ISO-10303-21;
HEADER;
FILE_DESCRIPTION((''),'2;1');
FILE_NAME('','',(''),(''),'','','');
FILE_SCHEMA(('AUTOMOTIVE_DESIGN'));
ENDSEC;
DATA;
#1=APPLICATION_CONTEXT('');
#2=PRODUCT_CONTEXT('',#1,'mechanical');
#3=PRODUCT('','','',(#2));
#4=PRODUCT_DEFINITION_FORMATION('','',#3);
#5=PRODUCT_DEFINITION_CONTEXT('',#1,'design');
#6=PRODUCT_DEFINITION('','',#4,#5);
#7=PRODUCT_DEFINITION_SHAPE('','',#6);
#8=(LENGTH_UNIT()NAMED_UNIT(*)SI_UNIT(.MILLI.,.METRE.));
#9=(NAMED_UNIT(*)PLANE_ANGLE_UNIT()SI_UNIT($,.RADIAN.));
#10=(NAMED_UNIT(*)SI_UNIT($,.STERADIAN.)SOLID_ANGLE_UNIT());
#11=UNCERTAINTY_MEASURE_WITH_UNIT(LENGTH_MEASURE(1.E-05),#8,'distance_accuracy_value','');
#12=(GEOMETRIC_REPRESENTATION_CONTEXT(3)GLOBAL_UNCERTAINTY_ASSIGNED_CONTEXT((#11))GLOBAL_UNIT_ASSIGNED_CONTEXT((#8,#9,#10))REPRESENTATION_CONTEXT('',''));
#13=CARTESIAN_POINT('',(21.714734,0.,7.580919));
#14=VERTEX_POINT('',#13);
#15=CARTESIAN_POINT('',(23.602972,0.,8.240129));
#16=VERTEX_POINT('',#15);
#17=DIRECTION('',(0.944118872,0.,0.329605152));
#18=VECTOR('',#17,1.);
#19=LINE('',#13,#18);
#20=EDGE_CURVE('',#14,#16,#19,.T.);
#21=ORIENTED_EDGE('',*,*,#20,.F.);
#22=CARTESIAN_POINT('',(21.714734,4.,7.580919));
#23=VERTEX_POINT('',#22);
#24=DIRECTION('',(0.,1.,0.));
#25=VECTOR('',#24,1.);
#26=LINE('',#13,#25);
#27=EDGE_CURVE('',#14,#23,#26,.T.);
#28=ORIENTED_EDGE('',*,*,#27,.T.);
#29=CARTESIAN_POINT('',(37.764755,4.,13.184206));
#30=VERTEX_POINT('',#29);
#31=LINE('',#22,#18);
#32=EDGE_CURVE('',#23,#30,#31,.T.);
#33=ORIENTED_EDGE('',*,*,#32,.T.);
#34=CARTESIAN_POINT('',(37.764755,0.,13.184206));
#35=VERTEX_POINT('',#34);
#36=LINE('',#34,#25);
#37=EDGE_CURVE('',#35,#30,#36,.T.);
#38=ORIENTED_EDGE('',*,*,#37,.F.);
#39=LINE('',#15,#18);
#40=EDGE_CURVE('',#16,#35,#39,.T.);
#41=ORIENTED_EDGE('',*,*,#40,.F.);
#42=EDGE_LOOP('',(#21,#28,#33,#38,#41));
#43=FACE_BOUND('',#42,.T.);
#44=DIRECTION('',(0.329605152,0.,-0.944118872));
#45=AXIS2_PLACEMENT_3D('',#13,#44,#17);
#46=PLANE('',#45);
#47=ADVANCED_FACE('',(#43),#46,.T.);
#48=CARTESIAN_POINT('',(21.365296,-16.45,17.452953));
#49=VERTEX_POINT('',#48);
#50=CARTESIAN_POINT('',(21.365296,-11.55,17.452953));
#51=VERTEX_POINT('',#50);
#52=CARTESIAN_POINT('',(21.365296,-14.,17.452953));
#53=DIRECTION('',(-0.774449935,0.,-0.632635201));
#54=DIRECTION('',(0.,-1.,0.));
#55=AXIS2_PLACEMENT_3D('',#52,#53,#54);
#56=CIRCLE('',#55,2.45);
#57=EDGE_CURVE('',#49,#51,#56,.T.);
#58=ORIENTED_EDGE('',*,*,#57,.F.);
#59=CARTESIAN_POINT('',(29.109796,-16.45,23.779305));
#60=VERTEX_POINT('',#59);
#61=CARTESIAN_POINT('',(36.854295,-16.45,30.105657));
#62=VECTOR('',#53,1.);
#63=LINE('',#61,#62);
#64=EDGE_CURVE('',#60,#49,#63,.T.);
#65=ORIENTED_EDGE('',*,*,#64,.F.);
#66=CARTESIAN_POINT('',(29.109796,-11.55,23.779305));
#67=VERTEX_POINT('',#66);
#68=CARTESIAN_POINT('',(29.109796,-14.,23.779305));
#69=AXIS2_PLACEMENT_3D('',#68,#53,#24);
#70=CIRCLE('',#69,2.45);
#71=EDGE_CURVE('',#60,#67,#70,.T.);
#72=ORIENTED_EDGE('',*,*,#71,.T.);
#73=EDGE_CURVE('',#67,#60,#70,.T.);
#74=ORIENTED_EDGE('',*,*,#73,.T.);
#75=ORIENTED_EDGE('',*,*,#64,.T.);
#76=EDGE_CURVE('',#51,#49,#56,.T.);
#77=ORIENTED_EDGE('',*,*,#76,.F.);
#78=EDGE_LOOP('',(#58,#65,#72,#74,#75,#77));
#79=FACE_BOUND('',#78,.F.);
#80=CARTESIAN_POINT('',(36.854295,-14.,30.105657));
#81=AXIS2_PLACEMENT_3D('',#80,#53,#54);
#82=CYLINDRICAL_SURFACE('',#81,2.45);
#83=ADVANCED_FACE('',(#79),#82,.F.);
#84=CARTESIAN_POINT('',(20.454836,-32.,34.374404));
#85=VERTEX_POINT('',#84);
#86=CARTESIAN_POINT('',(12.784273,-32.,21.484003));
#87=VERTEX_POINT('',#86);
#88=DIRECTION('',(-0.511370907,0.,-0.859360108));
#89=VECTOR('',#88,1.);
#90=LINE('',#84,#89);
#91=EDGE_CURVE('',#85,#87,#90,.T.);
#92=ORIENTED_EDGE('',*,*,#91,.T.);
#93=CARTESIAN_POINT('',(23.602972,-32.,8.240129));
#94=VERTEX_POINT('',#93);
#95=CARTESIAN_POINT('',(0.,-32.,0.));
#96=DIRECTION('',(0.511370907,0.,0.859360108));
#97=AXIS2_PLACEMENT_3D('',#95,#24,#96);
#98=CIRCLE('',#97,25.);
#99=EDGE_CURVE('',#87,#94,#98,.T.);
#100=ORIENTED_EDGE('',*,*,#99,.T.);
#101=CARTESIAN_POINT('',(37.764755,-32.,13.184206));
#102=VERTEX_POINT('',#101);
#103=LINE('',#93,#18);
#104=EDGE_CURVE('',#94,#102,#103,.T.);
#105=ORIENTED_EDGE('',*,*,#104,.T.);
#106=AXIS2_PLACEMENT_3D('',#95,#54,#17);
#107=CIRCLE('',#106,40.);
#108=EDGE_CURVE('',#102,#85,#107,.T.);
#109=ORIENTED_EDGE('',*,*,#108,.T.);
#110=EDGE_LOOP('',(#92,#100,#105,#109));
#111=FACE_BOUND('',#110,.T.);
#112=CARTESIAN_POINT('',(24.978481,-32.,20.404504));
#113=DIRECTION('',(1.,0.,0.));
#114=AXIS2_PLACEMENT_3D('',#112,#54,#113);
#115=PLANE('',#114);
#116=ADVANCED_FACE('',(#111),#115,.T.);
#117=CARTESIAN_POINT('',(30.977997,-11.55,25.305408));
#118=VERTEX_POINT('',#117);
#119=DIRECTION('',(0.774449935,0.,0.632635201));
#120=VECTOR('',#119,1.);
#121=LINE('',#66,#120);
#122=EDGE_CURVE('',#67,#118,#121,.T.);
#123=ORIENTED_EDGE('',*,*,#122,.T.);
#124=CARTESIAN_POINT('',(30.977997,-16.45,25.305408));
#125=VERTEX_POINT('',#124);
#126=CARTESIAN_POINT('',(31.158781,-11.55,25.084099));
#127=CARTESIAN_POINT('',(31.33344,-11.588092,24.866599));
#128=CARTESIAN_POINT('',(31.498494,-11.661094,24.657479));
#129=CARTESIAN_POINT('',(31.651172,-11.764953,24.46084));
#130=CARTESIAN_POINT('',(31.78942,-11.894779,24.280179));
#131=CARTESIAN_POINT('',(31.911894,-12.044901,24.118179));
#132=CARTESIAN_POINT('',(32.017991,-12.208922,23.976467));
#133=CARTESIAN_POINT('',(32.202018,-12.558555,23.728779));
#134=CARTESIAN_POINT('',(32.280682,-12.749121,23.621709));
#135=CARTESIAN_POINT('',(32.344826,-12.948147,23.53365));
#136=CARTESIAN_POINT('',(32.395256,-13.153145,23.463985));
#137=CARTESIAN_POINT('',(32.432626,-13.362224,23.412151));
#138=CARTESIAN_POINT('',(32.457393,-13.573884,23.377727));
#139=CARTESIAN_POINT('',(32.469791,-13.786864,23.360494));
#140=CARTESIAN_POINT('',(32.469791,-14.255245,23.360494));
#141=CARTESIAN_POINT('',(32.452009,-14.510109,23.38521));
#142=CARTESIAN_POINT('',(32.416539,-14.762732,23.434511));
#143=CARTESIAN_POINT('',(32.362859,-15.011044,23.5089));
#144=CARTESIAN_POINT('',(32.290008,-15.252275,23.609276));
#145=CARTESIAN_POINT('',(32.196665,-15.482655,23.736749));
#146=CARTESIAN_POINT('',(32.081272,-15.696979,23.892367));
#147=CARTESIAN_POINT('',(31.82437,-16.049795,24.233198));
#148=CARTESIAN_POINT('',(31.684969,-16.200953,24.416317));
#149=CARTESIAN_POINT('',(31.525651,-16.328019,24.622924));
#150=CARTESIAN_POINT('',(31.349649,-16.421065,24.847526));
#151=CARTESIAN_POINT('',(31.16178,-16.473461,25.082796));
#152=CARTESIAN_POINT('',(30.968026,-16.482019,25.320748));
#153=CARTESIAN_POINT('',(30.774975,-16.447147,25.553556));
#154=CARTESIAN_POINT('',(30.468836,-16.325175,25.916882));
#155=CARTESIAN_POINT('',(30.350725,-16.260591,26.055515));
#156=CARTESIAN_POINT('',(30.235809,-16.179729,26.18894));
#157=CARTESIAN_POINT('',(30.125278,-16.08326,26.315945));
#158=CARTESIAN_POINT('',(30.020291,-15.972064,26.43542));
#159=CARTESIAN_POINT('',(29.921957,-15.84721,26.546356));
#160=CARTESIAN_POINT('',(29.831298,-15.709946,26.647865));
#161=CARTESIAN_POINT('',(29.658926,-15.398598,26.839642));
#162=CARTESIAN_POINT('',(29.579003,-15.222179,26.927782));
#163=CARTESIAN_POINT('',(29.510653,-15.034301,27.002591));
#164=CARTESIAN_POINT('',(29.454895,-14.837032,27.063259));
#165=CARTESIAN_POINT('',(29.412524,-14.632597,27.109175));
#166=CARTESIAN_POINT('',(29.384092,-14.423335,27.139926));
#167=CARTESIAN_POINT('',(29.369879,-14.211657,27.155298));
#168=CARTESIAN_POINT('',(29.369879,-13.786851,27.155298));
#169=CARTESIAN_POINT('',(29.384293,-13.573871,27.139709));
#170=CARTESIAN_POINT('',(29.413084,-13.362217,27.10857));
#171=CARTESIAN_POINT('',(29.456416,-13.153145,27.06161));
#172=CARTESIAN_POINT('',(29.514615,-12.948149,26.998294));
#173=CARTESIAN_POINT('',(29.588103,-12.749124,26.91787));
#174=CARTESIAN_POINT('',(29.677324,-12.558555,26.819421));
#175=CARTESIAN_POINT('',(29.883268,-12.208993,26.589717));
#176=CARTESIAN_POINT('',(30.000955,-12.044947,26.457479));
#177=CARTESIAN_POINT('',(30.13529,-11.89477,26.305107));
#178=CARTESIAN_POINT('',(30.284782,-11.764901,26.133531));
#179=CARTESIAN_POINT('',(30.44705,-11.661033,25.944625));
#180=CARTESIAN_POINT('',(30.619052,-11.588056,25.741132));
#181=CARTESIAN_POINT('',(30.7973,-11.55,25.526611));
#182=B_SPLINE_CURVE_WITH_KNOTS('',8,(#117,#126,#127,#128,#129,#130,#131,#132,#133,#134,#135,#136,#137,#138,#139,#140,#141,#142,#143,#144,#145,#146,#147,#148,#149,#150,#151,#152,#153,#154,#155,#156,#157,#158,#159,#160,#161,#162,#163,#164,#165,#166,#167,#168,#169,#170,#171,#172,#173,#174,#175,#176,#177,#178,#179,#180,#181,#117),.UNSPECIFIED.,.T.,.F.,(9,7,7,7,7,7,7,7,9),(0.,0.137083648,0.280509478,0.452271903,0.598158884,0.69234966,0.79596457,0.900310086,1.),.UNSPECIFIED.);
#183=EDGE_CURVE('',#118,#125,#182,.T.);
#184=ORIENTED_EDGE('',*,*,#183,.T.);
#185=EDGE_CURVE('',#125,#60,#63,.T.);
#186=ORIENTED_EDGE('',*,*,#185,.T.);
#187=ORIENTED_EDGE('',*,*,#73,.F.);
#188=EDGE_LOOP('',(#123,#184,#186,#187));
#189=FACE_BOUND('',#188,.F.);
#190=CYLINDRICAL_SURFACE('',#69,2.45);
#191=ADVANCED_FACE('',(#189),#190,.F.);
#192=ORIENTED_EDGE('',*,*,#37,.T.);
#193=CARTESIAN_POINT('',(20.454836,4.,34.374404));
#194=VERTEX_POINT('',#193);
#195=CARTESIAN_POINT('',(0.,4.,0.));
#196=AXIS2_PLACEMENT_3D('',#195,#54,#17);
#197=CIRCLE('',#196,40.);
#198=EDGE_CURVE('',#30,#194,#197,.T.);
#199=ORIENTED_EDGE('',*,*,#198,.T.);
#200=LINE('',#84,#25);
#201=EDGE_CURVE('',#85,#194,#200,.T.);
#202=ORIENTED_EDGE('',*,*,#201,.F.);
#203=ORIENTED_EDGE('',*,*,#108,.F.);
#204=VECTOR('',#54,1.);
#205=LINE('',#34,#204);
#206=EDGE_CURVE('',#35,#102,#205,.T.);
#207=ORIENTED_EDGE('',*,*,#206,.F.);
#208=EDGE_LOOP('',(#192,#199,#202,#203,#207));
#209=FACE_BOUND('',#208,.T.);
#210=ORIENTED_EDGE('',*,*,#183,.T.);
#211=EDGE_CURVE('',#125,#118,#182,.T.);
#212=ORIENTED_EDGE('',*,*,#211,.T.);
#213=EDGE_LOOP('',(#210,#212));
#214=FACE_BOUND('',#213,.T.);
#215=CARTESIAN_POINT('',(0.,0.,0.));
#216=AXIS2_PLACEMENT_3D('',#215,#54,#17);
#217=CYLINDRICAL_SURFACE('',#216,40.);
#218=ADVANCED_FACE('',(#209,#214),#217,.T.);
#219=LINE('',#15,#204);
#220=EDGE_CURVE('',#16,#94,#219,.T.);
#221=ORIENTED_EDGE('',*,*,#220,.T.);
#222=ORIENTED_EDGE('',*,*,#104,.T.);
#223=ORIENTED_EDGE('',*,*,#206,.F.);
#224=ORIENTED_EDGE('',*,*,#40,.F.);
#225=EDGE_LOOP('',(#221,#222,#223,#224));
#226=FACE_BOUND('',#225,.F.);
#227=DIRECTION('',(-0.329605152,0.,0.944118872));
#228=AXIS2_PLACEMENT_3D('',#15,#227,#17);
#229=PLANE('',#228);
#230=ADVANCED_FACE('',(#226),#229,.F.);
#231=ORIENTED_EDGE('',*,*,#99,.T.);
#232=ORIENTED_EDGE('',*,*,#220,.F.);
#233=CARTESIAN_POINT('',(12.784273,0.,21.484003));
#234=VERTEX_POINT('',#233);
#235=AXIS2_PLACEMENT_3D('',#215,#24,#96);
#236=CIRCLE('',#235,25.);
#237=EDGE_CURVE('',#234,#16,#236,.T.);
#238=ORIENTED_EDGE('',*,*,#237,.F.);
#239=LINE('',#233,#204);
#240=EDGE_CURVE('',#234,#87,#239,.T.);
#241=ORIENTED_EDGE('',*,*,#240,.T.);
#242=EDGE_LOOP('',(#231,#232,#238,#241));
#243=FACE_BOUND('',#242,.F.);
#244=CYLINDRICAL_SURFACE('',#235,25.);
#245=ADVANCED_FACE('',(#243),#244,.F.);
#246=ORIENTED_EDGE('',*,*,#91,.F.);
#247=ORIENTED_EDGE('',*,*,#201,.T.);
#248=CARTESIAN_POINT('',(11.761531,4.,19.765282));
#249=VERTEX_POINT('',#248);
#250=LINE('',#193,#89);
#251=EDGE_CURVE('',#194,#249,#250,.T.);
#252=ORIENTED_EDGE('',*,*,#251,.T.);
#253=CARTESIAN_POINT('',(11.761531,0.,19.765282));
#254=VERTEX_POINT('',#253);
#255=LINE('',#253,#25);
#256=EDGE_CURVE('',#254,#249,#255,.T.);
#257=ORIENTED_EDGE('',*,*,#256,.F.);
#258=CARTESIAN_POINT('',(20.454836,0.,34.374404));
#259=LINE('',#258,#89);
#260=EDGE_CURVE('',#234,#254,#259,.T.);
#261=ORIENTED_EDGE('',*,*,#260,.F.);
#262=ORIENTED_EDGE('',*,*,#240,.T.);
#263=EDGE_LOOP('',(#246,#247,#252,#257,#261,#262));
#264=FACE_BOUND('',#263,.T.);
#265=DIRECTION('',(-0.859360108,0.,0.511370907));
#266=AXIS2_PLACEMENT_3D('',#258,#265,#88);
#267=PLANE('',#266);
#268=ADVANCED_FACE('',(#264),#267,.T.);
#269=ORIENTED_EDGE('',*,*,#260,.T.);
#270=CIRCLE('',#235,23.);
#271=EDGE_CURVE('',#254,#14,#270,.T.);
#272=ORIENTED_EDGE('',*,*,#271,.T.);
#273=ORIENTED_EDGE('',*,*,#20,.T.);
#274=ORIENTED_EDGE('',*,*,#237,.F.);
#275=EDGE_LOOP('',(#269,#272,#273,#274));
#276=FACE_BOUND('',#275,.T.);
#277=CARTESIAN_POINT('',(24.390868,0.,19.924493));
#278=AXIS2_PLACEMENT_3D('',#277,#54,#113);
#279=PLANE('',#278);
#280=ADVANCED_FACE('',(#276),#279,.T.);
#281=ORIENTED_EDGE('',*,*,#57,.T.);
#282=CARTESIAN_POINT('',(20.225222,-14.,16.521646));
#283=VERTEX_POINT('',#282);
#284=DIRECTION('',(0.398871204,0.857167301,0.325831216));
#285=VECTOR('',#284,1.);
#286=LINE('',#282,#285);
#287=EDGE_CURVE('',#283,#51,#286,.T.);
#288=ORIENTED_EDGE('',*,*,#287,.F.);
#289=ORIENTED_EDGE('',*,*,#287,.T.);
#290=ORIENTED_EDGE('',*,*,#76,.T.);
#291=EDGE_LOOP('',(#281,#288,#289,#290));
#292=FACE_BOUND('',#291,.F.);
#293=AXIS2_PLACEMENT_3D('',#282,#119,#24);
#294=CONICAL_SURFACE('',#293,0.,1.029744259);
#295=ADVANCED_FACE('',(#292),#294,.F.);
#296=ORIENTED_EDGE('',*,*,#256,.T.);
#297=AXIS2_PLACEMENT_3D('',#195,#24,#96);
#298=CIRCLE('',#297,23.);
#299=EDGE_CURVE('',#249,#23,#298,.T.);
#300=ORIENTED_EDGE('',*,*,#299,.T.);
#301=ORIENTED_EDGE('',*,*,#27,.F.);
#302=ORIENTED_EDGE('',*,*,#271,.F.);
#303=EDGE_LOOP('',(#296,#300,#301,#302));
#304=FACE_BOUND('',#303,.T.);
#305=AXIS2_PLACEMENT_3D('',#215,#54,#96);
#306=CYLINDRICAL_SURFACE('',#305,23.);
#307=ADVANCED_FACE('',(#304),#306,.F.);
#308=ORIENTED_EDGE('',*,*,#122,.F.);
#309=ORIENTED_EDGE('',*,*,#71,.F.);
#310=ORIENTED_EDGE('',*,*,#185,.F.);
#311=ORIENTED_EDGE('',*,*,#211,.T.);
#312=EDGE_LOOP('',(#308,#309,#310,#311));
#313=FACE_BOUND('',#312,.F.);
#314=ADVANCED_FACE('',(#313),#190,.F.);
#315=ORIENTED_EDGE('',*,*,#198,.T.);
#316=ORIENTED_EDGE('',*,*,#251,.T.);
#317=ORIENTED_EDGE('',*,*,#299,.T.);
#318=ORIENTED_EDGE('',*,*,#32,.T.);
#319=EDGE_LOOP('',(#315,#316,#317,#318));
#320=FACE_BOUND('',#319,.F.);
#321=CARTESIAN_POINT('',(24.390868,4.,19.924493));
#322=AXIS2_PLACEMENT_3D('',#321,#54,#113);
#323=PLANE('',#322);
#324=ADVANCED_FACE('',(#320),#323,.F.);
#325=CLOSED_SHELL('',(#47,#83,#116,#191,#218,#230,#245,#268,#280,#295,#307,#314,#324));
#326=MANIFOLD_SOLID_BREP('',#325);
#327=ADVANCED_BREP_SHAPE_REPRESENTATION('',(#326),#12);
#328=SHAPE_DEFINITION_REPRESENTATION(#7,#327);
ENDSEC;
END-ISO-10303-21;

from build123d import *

# Parameters (mm, degrees)
F2_DEPTH = 32
F3_DEPTH = 4
F6_D     = 4.9
F6_DEPTH = 10
F6_TIP   = 1.4721085166
F7_D     = 4.9
F7_DEPTH = 10
F7_TIP   = 1.4721085166


with BuildPart() as f2:
    # F0 (on Front) → F2 (new body)
    with BuildSketch(Plane.XZ):
        with BuildLine():
            Line((23.6029717884, 8.2401288069), (37.7647548615, 13.1842060911))
            ThreePointArc((37.7647548615, 13.1842060911), (30.9779974122, 25.3054080451), (20.4548362885, 34.3744043208))
            Line((20.4548362885, 34.3744043208), (12.7842726803, 21.4840027005))
            ThreePointArc((12.7842726803, 21.4840027005), (19.3612483826, 15.8158800282), (23.6029717884, 8.2401288069))
        make_face()
    extrude(amount=F2_DEPTH)

    # F1 (on Front) + F0 (on Front) → F3 (join)
    with BuildSketch(Plane.XZ):
        with BuildLine():
            ThreePointArc((11.7615308659, 19.7652824845), (17.812348512, 14.5506096259), (21.7147340454, 7.5809185024))
            Line((21.7147340454, 7.5809185024), (37.7647548615, 13.1842060911))
            ThreePointArc((37.7647548615, 13.1842060911), (30.9779974122, 25.3054080451), (20.4548362885, 34.3744043208))
            Line((20.4548362885, 34.3744043208), (11.7615308659, 19.7652824845))
        make_face()
    with BuildSketch(Plane.XZ):
        with BuildLine():
            Line((23.6029717884, 8.2401288069), (37.7647548615, 13.1842060911))
            ThreePointArc((37.7647548615, 13.1842060911), (30.9779974122, 25.3054080451), (20.4548362885, 34.3744043208))
            Line((20.4548362885, 34.3744043208), (12.7842726803, 21.4840027005))
            ThreePointArc((12.7842726803, 21.4840027005), (19.3612483826, 15.8158800282), (23.6029717884, 8.2401288069))
        make_face()
    extrude(amount=-F3_DEPTH)

    # F6 (one way)
    with BuildSketch(Plane(origin=(29.109795575, 0, 23.7793052059), x_dir=(0, 1, 0), z_dir=(-0.7744499353, 0, -0.6326352011))):
        with Locations((-14, 0)):
            Circle(F6_D / 2)
    extrude(amount=-F6_DEPTH, mode=Mode.SUBTRACT)
    with Locations(Plane(origin=(29.109795575, 0, 23.7793052059), x_dir=(0, 1, 0), z_dir=(-0.7744499353, 0, -0.6326352011))):
        with Locations((-14, 0)):
            with Locations((0, 0, -(F6_DEPTH + F6_TIP / 2))):  # 118° drill point
                Cone(0, F6_D / 2, F6_TIP, mode=Mode.SUBTRACT)

    # F7
    with Locations(Plane(origin=(29.109795575, 0, 23.7793052059), x_dir=(0, 1, 0), z_dir=(0.7744499353, 0, 0.6326352011))):
        with Locations((-14, 0)):
            Hole(F7_D / 2, depth=F7_DEPTH)
            with Locations((0, 0, -(F7_DEPTH + F7_TIP / 2))):  # 118° drill point
                Cone(0, F7_D / 2, F7_TIP, mode=Mode.SUBTRACT)


solid = f2.part
